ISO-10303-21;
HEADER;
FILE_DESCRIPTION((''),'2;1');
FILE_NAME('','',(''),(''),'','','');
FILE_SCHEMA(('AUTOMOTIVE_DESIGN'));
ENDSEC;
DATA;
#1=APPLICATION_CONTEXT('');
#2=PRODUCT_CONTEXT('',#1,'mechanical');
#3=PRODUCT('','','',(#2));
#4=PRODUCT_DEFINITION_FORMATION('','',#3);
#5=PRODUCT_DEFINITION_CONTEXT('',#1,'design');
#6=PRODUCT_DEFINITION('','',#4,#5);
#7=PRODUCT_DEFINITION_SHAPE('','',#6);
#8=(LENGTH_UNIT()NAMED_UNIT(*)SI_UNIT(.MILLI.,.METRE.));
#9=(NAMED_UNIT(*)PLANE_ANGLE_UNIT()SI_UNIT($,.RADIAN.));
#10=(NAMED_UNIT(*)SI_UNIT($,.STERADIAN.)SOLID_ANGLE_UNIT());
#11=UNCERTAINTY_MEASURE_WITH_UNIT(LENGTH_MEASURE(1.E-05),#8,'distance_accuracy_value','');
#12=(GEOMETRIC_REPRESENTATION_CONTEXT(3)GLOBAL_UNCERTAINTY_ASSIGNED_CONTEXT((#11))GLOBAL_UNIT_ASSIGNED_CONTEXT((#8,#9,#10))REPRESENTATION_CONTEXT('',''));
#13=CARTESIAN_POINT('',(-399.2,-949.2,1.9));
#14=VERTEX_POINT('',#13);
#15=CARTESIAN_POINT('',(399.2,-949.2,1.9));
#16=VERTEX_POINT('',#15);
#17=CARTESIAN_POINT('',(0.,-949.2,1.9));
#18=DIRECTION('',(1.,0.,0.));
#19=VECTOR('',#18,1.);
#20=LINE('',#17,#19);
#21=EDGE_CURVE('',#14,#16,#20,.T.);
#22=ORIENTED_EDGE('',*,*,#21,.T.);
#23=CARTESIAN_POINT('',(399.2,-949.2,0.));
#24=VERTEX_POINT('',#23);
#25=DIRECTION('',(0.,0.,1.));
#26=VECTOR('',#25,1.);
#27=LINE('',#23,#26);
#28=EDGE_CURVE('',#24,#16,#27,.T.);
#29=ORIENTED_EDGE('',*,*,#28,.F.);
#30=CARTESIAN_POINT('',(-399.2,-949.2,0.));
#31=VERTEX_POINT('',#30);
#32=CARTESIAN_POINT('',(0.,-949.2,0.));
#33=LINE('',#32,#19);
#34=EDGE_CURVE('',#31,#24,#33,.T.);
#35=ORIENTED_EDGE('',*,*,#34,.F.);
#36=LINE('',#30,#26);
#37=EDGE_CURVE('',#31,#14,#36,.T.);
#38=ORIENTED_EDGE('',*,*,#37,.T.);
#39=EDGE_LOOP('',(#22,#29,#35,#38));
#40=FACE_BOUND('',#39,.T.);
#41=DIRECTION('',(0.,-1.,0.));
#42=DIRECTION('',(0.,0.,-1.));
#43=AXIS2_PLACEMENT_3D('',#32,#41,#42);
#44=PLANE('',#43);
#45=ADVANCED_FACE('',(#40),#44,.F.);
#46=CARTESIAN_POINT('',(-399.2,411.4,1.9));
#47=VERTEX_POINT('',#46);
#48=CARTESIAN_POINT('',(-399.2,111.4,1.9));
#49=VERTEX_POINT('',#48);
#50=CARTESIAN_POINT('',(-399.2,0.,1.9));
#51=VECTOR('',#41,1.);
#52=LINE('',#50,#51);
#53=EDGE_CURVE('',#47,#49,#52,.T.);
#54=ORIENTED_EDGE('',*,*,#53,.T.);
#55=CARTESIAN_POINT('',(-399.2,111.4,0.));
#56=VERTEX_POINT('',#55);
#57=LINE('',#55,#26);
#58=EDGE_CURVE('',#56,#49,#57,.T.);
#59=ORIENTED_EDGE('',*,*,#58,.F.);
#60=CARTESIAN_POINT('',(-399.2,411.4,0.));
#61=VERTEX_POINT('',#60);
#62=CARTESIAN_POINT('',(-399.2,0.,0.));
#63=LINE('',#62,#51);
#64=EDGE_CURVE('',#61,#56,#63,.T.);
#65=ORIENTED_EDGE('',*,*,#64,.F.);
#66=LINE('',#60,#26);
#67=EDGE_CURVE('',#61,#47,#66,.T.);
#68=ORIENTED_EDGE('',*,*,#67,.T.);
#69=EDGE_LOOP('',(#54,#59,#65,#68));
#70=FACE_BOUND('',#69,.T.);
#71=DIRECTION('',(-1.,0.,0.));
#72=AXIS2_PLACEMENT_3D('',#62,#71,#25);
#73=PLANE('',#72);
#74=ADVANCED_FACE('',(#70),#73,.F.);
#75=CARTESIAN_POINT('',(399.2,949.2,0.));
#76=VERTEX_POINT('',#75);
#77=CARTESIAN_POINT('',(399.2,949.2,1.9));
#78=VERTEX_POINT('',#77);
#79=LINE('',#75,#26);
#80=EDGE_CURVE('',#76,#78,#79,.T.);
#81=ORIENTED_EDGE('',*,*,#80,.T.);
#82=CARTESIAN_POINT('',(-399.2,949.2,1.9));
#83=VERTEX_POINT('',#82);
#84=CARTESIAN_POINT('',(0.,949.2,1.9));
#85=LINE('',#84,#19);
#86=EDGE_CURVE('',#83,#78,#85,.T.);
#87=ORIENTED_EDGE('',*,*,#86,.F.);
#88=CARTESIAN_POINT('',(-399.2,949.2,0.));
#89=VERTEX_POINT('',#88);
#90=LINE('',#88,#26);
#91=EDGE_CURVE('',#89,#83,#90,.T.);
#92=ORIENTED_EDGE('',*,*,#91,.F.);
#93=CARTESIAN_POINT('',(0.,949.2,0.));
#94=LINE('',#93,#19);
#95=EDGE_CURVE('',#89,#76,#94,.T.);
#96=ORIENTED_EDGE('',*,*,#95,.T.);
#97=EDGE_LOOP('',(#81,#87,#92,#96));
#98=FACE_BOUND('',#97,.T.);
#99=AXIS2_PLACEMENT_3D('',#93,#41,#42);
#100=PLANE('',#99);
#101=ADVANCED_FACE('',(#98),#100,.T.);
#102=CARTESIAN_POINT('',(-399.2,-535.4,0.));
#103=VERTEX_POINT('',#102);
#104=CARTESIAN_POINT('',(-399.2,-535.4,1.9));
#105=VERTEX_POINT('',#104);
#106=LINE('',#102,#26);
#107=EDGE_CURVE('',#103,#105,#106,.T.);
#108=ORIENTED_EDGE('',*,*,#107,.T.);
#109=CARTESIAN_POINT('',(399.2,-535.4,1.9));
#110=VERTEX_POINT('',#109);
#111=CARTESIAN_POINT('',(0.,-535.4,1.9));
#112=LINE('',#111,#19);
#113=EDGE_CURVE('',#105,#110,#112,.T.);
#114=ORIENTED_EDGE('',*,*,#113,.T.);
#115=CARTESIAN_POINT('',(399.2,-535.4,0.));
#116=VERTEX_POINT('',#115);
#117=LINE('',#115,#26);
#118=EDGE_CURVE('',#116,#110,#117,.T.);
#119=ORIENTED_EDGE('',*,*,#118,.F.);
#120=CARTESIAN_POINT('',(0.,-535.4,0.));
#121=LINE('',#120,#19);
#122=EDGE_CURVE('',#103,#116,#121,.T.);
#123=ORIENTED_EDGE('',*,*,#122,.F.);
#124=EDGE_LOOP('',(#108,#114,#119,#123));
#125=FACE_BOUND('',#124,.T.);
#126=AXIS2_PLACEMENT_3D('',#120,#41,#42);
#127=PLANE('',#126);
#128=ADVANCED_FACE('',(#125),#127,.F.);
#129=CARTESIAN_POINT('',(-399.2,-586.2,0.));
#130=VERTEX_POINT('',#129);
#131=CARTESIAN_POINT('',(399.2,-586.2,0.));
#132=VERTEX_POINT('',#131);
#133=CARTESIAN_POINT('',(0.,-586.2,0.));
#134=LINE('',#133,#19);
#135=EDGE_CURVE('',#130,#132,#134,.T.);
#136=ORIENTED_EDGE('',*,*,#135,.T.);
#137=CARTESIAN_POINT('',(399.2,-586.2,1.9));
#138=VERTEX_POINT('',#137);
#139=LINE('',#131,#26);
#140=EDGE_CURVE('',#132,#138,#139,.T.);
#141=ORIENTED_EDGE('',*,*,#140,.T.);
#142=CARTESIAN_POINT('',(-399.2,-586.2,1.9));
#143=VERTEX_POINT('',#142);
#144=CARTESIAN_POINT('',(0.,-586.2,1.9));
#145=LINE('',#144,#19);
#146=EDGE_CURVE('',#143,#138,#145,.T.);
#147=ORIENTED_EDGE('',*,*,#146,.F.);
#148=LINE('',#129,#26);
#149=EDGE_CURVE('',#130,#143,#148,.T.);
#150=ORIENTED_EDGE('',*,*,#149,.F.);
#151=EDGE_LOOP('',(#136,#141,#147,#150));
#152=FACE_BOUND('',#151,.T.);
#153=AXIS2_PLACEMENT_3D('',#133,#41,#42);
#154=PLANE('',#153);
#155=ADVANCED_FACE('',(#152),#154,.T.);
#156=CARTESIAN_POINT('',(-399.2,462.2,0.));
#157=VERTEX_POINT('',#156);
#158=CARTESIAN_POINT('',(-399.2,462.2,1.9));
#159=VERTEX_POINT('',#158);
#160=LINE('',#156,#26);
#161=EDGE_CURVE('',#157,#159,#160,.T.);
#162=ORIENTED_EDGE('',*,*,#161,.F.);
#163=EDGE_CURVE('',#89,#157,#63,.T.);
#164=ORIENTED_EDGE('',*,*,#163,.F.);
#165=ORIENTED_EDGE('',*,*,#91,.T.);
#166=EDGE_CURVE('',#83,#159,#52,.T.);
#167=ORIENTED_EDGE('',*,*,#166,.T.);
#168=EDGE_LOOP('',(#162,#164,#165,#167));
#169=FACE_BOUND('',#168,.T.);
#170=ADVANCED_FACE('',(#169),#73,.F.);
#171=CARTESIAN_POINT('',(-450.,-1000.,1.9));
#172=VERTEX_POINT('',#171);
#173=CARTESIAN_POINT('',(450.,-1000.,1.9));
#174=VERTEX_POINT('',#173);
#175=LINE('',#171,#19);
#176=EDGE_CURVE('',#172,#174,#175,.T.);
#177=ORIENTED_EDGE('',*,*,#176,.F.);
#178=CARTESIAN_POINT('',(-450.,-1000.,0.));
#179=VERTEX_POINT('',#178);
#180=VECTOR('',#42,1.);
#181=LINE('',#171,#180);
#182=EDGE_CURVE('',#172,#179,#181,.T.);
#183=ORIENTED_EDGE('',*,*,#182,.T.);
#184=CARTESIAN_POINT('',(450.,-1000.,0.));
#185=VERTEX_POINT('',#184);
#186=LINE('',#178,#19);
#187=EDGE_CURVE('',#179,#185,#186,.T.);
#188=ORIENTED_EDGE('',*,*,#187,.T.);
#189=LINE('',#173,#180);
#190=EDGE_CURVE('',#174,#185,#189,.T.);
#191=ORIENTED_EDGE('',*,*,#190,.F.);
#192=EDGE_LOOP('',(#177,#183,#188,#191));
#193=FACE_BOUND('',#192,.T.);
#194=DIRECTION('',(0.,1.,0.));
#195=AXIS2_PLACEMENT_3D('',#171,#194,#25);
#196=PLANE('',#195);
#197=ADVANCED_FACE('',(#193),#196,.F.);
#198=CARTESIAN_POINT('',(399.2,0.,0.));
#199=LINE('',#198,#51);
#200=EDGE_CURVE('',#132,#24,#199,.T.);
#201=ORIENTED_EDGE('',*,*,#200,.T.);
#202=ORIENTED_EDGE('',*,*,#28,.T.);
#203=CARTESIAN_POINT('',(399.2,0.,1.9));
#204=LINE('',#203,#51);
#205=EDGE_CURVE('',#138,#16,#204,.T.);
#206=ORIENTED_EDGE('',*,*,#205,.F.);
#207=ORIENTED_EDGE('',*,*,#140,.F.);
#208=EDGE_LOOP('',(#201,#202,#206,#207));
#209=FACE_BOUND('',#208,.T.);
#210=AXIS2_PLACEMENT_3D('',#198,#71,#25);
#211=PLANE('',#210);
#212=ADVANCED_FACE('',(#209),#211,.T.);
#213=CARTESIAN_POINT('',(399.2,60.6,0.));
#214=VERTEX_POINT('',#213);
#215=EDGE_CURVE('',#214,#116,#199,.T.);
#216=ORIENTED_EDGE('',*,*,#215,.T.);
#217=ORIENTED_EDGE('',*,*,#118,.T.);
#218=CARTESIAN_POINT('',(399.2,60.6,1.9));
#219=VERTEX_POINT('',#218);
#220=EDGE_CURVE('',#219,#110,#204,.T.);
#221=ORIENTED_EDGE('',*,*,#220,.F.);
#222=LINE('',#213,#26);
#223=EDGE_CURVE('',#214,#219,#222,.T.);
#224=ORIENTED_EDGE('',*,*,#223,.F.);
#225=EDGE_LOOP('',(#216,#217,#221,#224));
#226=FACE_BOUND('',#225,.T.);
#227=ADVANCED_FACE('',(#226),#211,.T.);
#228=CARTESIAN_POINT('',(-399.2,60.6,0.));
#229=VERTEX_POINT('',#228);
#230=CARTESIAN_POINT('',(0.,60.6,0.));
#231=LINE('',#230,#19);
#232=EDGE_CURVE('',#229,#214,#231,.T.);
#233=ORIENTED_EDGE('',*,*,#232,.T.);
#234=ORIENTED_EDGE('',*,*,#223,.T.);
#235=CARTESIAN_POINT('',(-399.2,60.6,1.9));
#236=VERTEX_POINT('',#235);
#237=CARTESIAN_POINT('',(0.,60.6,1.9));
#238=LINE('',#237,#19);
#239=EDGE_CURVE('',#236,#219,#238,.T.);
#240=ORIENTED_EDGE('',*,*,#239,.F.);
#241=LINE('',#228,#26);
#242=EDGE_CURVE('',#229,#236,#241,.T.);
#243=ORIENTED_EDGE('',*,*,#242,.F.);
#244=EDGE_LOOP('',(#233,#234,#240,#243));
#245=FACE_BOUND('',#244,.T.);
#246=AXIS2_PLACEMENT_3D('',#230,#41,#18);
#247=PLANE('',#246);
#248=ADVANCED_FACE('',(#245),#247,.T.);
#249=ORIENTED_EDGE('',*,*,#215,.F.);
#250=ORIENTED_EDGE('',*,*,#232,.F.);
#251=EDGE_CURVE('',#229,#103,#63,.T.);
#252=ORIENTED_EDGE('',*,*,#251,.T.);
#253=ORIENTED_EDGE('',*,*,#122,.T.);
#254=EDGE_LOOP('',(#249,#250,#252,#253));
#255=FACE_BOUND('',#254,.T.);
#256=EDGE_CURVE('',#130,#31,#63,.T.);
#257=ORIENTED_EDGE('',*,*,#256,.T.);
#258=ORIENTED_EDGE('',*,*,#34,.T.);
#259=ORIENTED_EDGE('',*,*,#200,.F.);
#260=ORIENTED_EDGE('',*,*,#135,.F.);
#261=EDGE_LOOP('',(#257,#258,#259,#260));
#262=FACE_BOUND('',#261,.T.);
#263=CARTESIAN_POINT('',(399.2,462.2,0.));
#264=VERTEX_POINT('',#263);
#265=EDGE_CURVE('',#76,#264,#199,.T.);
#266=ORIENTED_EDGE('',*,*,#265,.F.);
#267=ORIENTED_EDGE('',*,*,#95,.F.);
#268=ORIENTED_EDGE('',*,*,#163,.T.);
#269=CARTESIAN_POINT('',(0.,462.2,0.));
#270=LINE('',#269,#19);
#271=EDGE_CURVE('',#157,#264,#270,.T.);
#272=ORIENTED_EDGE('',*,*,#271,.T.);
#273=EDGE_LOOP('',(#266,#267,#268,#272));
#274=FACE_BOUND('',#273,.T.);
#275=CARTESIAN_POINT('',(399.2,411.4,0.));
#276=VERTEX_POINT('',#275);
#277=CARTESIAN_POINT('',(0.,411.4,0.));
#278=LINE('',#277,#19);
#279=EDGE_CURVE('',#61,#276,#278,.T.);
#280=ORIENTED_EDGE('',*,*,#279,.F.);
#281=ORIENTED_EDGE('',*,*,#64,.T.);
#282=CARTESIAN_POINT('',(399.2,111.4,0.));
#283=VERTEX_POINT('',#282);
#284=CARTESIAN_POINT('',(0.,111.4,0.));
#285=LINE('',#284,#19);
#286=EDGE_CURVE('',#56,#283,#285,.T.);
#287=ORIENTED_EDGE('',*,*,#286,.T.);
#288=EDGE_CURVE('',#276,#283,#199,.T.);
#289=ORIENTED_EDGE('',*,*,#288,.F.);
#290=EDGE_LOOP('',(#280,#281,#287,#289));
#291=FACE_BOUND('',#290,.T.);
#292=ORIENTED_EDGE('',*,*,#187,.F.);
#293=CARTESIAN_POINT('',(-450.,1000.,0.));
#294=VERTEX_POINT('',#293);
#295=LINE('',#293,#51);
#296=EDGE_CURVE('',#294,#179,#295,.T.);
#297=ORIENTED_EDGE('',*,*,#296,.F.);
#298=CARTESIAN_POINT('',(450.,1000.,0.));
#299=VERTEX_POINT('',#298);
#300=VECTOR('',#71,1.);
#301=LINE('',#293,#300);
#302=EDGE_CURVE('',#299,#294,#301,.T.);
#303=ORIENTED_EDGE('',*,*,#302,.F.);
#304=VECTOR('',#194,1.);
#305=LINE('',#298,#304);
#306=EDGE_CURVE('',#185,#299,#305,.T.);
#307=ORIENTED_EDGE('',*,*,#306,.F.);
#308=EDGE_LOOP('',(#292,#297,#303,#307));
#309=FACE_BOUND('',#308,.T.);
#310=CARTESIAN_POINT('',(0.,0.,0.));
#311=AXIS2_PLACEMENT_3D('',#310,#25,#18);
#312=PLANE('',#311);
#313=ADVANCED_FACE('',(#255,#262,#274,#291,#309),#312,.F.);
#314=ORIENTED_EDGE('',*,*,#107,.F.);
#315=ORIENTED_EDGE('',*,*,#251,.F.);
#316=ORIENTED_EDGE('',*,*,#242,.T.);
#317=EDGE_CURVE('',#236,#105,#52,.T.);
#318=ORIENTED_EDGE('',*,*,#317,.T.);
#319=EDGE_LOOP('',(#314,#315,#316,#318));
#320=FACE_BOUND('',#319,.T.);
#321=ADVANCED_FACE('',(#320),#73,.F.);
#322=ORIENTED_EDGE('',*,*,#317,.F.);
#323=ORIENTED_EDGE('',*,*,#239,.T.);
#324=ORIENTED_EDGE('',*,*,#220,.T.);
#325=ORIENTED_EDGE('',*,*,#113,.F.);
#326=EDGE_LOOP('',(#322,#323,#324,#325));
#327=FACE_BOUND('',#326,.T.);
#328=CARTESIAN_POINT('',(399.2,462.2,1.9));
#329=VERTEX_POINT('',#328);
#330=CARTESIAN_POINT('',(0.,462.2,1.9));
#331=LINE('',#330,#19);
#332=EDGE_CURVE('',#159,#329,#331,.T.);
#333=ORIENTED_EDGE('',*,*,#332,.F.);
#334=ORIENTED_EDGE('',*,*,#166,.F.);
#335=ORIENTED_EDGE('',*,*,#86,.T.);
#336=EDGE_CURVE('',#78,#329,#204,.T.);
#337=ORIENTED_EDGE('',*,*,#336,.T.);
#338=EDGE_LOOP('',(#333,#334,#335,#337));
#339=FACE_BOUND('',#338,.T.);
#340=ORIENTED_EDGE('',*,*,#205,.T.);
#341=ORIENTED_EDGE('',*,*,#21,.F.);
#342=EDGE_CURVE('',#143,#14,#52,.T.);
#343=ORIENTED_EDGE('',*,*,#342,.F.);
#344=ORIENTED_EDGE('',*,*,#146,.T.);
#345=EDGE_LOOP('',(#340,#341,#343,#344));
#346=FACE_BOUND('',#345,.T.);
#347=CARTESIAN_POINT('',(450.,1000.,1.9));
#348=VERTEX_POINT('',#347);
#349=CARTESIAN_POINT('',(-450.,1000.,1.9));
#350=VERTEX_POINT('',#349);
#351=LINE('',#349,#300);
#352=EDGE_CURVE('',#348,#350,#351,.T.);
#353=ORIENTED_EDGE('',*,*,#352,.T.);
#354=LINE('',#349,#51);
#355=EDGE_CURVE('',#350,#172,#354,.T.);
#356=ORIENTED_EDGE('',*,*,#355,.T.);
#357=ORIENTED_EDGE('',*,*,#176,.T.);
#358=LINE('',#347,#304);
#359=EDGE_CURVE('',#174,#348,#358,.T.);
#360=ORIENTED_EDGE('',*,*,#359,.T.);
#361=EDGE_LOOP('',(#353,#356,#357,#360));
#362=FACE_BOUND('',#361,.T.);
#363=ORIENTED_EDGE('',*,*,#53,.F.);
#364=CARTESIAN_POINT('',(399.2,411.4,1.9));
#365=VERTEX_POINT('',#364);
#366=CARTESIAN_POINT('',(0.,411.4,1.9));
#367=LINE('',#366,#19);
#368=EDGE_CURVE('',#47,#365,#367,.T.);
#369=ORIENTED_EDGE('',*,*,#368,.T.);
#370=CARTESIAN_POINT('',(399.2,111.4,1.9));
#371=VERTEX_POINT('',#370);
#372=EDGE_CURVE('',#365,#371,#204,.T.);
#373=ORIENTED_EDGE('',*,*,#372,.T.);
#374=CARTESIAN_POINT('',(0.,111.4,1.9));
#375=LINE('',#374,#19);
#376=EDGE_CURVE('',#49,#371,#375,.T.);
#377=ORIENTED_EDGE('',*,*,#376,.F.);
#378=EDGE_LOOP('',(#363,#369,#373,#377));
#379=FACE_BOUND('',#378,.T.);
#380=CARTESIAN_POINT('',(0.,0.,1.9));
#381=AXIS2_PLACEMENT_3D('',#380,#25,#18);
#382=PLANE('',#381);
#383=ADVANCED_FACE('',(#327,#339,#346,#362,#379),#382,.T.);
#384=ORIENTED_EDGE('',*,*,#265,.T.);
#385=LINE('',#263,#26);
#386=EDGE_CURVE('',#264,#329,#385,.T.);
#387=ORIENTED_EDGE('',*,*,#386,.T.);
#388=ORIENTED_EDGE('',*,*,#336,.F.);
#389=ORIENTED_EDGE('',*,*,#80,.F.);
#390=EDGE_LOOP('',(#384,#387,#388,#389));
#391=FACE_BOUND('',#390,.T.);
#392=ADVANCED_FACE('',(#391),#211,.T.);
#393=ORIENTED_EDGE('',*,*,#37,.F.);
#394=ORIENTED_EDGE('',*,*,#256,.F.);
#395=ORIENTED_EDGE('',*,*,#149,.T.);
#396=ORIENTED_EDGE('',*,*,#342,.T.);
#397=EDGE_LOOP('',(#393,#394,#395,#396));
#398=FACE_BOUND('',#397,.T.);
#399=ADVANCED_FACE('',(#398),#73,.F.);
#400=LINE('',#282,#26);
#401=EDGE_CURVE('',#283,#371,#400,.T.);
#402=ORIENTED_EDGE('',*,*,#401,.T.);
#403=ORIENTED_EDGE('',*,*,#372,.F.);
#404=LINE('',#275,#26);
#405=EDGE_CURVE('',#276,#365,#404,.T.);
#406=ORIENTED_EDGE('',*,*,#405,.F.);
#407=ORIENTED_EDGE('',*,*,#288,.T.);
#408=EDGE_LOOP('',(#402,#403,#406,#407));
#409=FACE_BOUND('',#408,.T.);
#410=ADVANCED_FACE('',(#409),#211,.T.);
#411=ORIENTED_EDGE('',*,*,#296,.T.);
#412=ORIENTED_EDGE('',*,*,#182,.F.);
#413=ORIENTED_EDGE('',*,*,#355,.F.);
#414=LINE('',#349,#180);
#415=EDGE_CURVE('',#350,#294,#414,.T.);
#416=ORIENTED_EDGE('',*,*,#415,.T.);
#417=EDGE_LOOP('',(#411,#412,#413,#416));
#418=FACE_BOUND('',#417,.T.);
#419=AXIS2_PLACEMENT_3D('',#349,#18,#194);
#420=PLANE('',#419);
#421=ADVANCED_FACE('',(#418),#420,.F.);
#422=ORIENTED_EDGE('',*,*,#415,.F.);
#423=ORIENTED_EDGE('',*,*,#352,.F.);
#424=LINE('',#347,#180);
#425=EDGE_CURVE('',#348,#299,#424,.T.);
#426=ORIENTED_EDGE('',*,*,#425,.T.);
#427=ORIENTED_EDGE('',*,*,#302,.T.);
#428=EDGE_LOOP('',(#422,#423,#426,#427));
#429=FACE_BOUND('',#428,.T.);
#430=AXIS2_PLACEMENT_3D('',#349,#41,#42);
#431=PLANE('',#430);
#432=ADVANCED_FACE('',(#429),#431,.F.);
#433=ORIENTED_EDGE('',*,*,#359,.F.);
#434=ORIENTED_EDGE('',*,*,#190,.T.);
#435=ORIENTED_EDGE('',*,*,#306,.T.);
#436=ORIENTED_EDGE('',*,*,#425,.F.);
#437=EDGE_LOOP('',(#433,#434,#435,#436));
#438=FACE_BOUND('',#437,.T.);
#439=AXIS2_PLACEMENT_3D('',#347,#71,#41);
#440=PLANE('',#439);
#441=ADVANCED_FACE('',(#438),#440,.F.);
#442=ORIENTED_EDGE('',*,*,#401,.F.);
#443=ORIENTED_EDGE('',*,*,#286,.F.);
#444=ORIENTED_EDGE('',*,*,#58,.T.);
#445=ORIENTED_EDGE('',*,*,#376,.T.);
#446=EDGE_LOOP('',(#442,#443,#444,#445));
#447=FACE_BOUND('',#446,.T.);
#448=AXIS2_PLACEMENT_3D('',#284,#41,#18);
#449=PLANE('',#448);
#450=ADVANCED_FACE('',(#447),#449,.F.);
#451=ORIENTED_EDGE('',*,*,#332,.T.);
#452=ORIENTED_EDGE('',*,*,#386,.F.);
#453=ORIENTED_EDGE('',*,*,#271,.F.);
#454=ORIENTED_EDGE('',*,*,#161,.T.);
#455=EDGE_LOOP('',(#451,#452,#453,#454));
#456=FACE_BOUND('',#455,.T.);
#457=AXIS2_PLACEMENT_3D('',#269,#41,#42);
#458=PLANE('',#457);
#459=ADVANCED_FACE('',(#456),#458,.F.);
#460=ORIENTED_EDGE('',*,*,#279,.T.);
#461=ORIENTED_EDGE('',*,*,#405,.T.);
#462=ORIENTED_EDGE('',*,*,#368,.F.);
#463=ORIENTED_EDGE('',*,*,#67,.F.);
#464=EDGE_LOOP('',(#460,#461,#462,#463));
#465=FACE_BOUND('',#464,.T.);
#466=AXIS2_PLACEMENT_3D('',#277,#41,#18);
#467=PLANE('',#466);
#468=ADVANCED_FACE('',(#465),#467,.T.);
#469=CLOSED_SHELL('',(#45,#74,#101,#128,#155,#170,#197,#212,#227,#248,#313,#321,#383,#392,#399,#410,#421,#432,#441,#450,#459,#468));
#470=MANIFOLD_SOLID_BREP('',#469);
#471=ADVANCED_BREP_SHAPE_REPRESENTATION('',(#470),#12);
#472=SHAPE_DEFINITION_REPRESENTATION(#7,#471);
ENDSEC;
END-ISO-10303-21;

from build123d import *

# Parameters (mm, degrees)
CROQUIS1_W              = 900
CROQUIS1_H              = 2000
SALIENTE_EXTRUIR1_DEPTH = 1.9
CROQUIS2_W              = 798.4
CROQUIS2_H              = 363
CROQUIS2_H_2            = 596
CROQUIS2_H_3            = 300
CROQUIS2_H_4            = 487
CORTAR_EXTRUIR1_DEPTH   = 1.9


with BuildPart() as part:
    # Croquis1 → Saliente-Extruir1 (new body)
    with BuildSketch(Plane.XY):
        Rectangle(CROQUIS1_W, CROQUIS1_H)
    extrude(amount=SALIENTE_EXTRUIR1_DEPTH)

    # Croquis2 → Cortar-Extruir1 (cut)
    with BuildSketch(Plane.XY.offset(1.9)):
        with Locations((0, -767.7)):
            Rectangle(CROQUIS2_W, CROQUIS2_H)
        with Locations((0, -237.4)):
            Rectangle(CROQUIS2_W, CROQUIS2_H_2)
        with Locations((0, 261.4)):
            Rectangle(CROQUIS2_W, CROQUIS2_H_3)
        with Locations((0, 705.7)):
            Rectangle(CROQUIS2_W, CROQUIS2_H_4)
    extrude(amount=-CORTAR_EXTRUIR1_DEPTH, mode=Mode.SUBTRACT)


solid = part.part
